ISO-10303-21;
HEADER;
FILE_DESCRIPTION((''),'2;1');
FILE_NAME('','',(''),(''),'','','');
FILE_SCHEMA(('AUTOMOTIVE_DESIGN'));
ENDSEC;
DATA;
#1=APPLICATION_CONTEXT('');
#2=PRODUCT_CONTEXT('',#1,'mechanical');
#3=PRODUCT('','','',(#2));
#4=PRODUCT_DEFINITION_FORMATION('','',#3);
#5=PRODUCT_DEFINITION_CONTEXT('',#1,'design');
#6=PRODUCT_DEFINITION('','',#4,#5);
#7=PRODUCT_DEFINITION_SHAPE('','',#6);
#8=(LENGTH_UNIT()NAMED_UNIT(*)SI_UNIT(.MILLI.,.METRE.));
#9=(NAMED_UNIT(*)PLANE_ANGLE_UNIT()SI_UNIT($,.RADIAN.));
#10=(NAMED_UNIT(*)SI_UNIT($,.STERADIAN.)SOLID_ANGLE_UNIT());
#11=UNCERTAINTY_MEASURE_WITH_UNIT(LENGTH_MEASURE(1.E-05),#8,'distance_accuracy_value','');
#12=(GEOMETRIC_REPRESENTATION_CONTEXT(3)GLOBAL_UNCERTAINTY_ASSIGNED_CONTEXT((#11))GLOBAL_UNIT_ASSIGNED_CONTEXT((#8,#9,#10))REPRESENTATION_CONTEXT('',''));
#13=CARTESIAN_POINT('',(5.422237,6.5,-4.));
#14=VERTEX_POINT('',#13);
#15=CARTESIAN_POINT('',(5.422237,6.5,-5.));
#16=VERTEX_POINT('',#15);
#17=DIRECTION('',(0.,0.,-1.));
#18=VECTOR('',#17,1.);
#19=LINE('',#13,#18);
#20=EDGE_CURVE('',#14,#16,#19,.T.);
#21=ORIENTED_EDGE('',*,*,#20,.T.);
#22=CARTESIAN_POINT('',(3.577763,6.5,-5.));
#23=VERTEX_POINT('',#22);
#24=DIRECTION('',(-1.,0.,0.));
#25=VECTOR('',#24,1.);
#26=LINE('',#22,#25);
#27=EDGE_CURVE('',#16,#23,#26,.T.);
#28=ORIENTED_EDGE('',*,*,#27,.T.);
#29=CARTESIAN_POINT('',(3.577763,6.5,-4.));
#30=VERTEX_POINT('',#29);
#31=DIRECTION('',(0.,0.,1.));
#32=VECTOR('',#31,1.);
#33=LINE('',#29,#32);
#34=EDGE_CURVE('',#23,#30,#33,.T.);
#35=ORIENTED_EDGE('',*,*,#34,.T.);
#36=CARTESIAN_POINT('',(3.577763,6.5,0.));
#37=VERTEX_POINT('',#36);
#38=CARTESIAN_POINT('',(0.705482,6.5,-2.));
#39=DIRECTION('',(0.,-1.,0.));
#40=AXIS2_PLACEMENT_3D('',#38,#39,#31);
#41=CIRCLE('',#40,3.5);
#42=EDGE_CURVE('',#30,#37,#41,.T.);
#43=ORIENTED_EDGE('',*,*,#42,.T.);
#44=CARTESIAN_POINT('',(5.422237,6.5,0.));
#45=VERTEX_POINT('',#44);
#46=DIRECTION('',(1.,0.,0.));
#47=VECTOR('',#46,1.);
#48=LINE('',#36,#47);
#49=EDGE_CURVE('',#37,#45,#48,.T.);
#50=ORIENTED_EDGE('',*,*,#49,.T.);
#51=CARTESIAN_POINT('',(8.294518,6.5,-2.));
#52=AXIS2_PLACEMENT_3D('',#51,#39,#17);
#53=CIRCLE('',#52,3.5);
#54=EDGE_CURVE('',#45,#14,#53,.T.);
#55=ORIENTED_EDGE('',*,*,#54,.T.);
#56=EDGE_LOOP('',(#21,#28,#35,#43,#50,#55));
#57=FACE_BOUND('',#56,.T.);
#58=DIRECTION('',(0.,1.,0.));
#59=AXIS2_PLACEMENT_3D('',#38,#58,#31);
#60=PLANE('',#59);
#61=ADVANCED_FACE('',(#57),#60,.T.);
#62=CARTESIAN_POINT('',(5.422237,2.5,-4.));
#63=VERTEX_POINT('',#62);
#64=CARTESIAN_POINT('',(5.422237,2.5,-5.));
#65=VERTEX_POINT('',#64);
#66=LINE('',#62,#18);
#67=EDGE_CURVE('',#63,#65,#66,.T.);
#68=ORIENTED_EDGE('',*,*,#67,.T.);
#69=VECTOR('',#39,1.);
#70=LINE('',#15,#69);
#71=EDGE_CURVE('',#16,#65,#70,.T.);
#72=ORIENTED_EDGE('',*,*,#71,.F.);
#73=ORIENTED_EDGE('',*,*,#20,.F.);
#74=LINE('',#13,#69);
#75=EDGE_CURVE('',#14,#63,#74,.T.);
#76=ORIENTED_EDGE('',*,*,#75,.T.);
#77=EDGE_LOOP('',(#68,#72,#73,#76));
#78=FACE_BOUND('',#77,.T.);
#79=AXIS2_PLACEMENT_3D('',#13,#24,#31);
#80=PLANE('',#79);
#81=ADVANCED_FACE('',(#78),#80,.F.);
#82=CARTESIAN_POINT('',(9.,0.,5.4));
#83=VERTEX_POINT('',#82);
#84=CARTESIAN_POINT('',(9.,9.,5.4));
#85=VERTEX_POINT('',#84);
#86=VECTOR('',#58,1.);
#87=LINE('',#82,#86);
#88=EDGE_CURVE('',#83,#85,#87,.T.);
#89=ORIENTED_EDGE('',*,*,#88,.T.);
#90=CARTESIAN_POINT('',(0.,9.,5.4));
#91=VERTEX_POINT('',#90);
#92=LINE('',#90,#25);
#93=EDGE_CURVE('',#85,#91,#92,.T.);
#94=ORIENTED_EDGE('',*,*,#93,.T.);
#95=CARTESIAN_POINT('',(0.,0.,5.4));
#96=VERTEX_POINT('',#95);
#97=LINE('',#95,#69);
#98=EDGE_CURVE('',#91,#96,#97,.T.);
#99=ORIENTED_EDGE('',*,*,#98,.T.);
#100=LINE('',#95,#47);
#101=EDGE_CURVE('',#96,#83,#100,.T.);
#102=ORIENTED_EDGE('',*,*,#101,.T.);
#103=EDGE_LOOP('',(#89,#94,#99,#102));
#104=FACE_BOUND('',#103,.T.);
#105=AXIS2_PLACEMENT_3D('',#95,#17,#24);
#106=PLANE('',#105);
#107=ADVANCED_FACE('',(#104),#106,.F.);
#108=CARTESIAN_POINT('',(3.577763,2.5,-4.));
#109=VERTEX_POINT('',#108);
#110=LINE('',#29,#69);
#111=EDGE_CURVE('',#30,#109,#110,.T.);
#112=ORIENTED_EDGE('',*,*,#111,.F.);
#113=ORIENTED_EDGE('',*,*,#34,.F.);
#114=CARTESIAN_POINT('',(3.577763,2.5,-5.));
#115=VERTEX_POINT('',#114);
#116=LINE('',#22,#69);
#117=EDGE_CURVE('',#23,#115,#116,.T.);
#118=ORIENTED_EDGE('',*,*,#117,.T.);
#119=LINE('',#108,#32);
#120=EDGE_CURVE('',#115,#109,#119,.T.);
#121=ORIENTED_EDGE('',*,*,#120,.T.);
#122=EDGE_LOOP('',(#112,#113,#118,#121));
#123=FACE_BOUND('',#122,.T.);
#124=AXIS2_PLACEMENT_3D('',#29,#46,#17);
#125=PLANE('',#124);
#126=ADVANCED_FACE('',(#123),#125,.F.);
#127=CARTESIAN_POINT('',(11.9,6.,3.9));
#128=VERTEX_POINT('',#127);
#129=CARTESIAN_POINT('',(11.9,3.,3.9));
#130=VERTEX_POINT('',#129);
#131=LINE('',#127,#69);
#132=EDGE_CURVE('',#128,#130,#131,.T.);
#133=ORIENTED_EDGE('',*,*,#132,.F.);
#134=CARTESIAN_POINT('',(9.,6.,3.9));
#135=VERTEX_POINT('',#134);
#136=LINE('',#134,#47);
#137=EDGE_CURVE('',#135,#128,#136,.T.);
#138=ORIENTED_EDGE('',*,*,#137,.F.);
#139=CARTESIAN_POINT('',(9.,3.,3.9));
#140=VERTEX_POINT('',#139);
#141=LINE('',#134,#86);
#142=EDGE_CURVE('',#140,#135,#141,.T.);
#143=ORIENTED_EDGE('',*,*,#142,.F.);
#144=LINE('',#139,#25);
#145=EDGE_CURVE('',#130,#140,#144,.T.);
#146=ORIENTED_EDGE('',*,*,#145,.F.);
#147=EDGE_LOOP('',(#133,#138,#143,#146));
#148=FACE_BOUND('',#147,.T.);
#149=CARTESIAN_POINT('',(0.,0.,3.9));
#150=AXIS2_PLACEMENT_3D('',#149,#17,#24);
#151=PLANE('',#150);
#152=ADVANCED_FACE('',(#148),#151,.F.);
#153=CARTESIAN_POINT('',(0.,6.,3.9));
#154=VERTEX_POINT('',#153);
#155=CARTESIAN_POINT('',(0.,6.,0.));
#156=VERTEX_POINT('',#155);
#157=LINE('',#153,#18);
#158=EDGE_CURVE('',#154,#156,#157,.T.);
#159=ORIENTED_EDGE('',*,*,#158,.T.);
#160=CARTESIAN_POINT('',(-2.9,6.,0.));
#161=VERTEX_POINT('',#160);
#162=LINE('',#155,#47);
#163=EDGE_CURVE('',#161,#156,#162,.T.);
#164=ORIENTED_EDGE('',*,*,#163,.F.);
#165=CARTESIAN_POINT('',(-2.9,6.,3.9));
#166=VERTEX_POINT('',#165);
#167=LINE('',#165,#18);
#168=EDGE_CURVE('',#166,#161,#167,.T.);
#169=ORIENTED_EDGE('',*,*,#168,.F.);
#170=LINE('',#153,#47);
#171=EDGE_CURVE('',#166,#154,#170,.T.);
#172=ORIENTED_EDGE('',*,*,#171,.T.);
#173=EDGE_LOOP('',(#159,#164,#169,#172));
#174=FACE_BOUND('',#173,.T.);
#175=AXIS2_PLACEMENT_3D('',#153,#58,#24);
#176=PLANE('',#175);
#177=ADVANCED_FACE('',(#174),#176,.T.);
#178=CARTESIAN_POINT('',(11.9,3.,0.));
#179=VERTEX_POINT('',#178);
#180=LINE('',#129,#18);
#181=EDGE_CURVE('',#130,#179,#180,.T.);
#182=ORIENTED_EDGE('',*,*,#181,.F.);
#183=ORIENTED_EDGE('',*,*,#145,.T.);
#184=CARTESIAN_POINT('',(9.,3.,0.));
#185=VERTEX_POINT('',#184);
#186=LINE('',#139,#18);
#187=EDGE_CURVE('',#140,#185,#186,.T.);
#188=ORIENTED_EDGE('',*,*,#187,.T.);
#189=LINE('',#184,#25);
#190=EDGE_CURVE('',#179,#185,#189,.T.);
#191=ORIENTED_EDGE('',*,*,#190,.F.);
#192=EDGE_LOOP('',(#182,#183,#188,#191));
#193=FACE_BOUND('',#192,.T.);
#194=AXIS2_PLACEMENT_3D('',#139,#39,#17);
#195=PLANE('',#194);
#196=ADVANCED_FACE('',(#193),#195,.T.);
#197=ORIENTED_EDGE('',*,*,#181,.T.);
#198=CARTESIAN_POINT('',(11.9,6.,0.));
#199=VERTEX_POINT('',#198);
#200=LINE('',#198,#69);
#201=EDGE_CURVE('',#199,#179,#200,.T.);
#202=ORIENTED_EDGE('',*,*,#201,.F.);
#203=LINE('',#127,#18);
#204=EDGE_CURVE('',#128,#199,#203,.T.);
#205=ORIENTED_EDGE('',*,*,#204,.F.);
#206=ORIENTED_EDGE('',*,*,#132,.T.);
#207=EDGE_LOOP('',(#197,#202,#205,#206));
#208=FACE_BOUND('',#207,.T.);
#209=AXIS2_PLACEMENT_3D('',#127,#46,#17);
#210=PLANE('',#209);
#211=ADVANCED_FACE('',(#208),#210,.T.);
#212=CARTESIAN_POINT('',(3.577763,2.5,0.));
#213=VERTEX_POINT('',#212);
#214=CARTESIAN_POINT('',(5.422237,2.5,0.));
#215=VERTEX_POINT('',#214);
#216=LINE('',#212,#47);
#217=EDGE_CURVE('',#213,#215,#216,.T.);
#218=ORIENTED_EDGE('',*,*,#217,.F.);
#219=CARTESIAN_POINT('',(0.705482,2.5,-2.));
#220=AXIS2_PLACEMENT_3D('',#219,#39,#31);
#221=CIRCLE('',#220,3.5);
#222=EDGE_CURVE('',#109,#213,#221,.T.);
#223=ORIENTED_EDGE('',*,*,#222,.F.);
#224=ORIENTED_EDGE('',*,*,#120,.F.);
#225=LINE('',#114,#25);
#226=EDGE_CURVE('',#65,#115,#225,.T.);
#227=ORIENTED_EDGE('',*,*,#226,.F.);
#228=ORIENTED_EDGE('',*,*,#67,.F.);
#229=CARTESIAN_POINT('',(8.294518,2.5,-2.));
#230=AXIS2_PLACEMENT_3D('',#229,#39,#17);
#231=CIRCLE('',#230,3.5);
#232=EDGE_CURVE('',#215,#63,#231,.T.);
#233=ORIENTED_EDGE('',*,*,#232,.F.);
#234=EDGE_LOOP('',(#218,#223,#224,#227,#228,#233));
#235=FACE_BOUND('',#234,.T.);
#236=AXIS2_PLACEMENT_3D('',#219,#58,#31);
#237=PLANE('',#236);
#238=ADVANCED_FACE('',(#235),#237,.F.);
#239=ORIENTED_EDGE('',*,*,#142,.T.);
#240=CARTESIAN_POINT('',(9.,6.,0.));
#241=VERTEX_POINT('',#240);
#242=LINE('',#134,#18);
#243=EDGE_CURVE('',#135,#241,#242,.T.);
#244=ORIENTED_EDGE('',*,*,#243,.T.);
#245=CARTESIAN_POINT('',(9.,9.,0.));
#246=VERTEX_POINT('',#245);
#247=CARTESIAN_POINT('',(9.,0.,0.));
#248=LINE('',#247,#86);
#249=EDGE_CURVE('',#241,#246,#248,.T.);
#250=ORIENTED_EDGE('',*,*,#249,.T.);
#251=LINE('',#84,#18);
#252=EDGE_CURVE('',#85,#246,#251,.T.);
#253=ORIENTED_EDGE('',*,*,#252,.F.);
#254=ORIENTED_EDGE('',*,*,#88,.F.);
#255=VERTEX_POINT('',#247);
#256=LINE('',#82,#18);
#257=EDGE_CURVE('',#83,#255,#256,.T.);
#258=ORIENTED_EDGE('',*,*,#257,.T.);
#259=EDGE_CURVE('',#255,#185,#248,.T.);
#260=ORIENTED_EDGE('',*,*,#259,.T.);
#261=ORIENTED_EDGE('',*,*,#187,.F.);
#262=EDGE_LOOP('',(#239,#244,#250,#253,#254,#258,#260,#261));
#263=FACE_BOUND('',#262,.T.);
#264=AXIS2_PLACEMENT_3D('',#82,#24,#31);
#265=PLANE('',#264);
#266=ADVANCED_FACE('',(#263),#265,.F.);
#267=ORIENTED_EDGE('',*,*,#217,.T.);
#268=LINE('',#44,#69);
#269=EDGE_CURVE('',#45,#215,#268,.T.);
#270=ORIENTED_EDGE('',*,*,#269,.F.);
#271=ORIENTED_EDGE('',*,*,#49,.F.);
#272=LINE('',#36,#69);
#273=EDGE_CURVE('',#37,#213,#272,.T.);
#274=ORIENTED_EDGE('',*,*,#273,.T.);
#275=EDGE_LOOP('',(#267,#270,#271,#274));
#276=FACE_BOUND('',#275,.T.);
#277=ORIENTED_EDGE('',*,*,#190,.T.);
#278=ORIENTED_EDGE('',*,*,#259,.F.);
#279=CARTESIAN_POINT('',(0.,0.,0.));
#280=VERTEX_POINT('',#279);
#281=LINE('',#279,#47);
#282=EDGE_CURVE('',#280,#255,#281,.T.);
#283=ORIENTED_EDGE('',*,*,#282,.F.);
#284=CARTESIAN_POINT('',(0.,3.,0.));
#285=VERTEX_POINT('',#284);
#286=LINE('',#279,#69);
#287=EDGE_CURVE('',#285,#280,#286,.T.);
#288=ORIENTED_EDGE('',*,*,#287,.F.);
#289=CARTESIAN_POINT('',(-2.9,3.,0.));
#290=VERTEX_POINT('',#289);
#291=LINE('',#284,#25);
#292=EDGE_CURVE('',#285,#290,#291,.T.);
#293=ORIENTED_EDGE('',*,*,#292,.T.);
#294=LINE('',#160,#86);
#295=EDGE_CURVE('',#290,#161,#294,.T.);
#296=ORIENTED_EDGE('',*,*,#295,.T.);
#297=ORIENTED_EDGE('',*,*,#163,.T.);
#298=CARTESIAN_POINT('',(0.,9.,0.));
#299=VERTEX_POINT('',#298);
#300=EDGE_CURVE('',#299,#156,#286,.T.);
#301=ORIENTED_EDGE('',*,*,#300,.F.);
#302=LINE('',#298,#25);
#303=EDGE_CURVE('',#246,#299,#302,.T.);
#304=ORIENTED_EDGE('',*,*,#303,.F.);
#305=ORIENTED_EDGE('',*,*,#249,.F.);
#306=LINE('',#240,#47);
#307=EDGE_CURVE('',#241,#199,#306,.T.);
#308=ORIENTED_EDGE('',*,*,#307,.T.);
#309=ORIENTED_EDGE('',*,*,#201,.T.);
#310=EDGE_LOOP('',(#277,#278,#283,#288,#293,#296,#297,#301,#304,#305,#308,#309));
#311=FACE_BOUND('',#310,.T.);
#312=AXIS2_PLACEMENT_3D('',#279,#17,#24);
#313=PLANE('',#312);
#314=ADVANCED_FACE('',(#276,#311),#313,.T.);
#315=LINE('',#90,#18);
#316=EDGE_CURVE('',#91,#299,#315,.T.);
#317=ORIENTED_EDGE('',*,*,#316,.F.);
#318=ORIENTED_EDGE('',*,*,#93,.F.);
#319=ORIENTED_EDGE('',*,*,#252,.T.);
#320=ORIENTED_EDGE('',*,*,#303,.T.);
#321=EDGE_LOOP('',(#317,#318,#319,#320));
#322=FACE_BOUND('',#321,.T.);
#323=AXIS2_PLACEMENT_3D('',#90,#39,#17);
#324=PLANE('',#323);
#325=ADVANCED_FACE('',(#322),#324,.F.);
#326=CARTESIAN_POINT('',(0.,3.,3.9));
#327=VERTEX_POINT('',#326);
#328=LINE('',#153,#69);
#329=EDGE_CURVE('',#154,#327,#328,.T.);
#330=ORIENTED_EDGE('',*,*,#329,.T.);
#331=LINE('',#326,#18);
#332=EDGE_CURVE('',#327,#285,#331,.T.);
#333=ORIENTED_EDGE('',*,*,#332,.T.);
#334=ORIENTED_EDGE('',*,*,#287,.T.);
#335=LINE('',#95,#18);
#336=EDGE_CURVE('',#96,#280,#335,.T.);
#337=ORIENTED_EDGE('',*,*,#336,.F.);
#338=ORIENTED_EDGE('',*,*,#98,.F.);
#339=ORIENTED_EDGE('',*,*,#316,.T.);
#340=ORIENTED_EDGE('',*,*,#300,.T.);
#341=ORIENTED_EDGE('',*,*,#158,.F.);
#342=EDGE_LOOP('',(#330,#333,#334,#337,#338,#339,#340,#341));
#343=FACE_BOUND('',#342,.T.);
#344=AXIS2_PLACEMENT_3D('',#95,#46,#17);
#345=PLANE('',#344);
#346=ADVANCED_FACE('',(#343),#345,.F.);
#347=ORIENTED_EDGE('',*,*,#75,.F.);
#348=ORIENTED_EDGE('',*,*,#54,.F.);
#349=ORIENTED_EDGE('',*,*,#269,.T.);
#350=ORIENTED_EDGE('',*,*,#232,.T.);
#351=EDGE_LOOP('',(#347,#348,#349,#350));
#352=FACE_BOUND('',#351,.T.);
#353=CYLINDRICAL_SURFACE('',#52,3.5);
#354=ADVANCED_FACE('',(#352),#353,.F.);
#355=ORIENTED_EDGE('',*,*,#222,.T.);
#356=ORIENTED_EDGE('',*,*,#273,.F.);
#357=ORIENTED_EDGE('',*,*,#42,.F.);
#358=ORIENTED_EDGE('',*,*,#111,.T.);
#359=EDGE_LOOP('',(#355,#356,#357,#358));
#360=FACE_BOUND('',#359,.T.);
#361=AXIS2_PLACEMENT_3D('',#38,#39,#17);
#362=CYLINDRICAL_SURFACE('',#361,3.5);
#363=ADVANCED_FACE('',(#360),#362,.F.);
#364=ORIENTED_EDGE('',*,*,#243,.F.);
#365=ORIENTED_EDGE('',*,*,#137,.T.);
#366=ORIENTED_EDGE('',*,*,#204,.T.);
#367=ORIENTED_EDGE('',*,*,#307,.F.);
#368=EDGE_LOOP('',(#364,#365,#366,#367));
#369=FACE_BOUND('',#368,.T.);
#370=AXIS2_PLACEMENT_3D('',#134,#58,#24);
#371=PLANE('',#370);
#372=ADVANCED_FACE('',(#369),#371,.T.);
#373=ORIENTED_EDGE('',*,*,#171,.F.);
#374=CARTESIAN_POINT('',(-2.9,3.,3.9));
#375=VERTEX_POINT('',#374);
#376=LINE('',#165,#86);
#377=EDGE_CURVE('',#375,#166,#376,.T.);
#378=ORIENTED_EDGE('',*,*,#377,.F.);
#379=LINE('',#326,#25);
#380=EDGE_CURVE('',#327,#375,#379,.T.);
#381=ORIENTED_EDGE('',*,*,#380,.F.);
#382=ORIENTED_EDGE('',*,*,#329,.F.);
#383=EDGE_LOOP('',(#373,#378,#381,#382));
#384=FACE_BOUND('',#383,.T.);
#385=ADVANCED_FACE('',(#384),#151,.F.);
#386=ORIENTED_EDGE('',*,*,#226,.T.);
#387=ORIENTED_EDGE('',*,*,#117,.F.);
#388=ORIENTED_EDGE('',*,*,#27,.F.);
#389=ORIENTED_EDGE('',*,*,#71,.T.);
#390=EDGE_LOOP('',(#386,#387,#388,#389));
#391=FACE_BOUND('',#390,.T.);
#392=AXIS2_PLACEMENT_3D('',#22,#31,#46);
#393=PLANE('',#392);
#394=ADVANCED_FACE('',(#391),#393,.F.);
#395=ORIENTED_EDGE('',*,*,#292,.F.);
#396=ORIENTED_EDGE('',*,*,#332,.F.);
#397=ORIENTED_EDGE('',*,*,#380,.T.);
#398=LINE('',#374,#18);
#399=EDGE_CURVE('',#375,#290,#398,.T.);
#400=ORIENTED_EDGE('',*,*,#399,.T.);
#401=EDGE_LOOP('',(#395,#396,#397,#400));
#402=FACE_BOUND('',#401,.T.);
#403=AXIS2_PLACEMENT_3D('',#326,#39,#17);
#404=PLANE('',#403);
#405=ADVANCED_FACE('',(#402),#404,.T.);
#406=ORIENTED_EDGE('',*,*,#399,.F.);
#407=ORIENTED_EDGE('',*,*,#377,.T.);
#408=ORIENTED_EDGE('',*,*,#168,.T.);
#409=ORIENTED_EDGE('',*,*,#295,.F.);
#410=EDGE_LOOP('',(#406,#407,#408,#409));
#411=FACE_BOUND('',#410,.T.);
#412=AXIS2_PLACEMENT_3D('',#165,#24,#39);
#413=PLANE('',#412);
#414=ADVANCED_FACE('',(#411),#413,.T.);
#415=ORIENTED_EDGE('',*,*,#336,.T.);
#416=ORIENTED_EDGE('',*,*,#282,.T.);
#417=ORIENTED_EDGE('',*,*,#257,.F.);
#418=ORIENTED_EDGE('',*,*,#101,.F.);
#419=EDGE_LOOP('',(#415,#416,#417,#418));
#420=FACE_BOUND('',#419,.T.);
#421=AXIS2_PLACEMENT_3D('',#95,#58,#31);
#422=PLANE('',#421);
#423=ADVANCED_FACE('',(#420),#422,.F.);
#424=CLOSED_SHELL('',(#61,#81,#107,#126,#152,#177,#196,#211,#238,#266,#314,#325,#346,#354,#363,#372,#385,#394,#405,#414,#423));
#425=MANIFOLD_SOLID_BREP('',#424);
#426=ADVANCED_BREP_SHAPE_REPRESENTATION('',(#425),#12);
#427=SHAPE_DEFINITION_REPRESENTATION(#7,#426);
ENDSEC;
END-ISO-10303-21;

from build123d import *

# Parameters (mm, degrees)
SKETCH_1_W      = 9
SKETCH_1_H      = 9
EXTRUDE_1_DEPTH = 5.4
SKETCH_2_W      = 2.9
SKETCH_2_H      = 3
EXTRUDE_2_DEPTH = 3.9
EXTRUDE_3_DEPTH = 2


with BuildPart() as part:
    # 스케치1 → 보스-돌출1 (new body)
    with BuildSketch(Plane.XY):
        with Locations((4.5, 4.5)):
            Rectangle(SKETCH_1_W, SKETCH_1_H)
    extrude(amount=EXTRUDE_1_DEPTH)

    # 스케치2 → 보스-돌출2 (add)
    with BuildSketch(Plane(origin=(0, 0, 0), x_dir=(-1, 0, 0), z_dir=(0, 0, -1))):
        with Locations((1.45, 4.5)):
            Rectangle(SKETCH_2_W, SKETCH_2_H)
        with Locations((-10.45, 4.5)):
            Rectangle(SKETCH_2_W, SKETCH_2_H)
    extrude(amount=-EXTRUDE_2_DEPTH)

    # 스케치3 → 보스-돌출3 (add, symmetric)
    with BuildSketch(Plane(origin=(0, 4.5, 0), x_dir=(1, 0, 0), z_dir=(0, 1, 0))):
        with BuildLine():
            Line((3.577763231, 4), (3.577763231, 5))
            Line((3.577763231, 5), (5.422236769, 5))
            Line((5.422236769, 5), (5.422236769, 4))
            ThreePointArc((5.422236769, 4), (4.794518093, 2), (5.422236769, 0))
            Line((5.422236769, 0), (3.577763231, 0))
            ThreePointArc((3.577763231, 0), (4.205481907, 2), (3.577763231, 4))
        make_face()
    extrude(amount=EXTRUDE_3_DEPTH, both=True)


solid = part.part
